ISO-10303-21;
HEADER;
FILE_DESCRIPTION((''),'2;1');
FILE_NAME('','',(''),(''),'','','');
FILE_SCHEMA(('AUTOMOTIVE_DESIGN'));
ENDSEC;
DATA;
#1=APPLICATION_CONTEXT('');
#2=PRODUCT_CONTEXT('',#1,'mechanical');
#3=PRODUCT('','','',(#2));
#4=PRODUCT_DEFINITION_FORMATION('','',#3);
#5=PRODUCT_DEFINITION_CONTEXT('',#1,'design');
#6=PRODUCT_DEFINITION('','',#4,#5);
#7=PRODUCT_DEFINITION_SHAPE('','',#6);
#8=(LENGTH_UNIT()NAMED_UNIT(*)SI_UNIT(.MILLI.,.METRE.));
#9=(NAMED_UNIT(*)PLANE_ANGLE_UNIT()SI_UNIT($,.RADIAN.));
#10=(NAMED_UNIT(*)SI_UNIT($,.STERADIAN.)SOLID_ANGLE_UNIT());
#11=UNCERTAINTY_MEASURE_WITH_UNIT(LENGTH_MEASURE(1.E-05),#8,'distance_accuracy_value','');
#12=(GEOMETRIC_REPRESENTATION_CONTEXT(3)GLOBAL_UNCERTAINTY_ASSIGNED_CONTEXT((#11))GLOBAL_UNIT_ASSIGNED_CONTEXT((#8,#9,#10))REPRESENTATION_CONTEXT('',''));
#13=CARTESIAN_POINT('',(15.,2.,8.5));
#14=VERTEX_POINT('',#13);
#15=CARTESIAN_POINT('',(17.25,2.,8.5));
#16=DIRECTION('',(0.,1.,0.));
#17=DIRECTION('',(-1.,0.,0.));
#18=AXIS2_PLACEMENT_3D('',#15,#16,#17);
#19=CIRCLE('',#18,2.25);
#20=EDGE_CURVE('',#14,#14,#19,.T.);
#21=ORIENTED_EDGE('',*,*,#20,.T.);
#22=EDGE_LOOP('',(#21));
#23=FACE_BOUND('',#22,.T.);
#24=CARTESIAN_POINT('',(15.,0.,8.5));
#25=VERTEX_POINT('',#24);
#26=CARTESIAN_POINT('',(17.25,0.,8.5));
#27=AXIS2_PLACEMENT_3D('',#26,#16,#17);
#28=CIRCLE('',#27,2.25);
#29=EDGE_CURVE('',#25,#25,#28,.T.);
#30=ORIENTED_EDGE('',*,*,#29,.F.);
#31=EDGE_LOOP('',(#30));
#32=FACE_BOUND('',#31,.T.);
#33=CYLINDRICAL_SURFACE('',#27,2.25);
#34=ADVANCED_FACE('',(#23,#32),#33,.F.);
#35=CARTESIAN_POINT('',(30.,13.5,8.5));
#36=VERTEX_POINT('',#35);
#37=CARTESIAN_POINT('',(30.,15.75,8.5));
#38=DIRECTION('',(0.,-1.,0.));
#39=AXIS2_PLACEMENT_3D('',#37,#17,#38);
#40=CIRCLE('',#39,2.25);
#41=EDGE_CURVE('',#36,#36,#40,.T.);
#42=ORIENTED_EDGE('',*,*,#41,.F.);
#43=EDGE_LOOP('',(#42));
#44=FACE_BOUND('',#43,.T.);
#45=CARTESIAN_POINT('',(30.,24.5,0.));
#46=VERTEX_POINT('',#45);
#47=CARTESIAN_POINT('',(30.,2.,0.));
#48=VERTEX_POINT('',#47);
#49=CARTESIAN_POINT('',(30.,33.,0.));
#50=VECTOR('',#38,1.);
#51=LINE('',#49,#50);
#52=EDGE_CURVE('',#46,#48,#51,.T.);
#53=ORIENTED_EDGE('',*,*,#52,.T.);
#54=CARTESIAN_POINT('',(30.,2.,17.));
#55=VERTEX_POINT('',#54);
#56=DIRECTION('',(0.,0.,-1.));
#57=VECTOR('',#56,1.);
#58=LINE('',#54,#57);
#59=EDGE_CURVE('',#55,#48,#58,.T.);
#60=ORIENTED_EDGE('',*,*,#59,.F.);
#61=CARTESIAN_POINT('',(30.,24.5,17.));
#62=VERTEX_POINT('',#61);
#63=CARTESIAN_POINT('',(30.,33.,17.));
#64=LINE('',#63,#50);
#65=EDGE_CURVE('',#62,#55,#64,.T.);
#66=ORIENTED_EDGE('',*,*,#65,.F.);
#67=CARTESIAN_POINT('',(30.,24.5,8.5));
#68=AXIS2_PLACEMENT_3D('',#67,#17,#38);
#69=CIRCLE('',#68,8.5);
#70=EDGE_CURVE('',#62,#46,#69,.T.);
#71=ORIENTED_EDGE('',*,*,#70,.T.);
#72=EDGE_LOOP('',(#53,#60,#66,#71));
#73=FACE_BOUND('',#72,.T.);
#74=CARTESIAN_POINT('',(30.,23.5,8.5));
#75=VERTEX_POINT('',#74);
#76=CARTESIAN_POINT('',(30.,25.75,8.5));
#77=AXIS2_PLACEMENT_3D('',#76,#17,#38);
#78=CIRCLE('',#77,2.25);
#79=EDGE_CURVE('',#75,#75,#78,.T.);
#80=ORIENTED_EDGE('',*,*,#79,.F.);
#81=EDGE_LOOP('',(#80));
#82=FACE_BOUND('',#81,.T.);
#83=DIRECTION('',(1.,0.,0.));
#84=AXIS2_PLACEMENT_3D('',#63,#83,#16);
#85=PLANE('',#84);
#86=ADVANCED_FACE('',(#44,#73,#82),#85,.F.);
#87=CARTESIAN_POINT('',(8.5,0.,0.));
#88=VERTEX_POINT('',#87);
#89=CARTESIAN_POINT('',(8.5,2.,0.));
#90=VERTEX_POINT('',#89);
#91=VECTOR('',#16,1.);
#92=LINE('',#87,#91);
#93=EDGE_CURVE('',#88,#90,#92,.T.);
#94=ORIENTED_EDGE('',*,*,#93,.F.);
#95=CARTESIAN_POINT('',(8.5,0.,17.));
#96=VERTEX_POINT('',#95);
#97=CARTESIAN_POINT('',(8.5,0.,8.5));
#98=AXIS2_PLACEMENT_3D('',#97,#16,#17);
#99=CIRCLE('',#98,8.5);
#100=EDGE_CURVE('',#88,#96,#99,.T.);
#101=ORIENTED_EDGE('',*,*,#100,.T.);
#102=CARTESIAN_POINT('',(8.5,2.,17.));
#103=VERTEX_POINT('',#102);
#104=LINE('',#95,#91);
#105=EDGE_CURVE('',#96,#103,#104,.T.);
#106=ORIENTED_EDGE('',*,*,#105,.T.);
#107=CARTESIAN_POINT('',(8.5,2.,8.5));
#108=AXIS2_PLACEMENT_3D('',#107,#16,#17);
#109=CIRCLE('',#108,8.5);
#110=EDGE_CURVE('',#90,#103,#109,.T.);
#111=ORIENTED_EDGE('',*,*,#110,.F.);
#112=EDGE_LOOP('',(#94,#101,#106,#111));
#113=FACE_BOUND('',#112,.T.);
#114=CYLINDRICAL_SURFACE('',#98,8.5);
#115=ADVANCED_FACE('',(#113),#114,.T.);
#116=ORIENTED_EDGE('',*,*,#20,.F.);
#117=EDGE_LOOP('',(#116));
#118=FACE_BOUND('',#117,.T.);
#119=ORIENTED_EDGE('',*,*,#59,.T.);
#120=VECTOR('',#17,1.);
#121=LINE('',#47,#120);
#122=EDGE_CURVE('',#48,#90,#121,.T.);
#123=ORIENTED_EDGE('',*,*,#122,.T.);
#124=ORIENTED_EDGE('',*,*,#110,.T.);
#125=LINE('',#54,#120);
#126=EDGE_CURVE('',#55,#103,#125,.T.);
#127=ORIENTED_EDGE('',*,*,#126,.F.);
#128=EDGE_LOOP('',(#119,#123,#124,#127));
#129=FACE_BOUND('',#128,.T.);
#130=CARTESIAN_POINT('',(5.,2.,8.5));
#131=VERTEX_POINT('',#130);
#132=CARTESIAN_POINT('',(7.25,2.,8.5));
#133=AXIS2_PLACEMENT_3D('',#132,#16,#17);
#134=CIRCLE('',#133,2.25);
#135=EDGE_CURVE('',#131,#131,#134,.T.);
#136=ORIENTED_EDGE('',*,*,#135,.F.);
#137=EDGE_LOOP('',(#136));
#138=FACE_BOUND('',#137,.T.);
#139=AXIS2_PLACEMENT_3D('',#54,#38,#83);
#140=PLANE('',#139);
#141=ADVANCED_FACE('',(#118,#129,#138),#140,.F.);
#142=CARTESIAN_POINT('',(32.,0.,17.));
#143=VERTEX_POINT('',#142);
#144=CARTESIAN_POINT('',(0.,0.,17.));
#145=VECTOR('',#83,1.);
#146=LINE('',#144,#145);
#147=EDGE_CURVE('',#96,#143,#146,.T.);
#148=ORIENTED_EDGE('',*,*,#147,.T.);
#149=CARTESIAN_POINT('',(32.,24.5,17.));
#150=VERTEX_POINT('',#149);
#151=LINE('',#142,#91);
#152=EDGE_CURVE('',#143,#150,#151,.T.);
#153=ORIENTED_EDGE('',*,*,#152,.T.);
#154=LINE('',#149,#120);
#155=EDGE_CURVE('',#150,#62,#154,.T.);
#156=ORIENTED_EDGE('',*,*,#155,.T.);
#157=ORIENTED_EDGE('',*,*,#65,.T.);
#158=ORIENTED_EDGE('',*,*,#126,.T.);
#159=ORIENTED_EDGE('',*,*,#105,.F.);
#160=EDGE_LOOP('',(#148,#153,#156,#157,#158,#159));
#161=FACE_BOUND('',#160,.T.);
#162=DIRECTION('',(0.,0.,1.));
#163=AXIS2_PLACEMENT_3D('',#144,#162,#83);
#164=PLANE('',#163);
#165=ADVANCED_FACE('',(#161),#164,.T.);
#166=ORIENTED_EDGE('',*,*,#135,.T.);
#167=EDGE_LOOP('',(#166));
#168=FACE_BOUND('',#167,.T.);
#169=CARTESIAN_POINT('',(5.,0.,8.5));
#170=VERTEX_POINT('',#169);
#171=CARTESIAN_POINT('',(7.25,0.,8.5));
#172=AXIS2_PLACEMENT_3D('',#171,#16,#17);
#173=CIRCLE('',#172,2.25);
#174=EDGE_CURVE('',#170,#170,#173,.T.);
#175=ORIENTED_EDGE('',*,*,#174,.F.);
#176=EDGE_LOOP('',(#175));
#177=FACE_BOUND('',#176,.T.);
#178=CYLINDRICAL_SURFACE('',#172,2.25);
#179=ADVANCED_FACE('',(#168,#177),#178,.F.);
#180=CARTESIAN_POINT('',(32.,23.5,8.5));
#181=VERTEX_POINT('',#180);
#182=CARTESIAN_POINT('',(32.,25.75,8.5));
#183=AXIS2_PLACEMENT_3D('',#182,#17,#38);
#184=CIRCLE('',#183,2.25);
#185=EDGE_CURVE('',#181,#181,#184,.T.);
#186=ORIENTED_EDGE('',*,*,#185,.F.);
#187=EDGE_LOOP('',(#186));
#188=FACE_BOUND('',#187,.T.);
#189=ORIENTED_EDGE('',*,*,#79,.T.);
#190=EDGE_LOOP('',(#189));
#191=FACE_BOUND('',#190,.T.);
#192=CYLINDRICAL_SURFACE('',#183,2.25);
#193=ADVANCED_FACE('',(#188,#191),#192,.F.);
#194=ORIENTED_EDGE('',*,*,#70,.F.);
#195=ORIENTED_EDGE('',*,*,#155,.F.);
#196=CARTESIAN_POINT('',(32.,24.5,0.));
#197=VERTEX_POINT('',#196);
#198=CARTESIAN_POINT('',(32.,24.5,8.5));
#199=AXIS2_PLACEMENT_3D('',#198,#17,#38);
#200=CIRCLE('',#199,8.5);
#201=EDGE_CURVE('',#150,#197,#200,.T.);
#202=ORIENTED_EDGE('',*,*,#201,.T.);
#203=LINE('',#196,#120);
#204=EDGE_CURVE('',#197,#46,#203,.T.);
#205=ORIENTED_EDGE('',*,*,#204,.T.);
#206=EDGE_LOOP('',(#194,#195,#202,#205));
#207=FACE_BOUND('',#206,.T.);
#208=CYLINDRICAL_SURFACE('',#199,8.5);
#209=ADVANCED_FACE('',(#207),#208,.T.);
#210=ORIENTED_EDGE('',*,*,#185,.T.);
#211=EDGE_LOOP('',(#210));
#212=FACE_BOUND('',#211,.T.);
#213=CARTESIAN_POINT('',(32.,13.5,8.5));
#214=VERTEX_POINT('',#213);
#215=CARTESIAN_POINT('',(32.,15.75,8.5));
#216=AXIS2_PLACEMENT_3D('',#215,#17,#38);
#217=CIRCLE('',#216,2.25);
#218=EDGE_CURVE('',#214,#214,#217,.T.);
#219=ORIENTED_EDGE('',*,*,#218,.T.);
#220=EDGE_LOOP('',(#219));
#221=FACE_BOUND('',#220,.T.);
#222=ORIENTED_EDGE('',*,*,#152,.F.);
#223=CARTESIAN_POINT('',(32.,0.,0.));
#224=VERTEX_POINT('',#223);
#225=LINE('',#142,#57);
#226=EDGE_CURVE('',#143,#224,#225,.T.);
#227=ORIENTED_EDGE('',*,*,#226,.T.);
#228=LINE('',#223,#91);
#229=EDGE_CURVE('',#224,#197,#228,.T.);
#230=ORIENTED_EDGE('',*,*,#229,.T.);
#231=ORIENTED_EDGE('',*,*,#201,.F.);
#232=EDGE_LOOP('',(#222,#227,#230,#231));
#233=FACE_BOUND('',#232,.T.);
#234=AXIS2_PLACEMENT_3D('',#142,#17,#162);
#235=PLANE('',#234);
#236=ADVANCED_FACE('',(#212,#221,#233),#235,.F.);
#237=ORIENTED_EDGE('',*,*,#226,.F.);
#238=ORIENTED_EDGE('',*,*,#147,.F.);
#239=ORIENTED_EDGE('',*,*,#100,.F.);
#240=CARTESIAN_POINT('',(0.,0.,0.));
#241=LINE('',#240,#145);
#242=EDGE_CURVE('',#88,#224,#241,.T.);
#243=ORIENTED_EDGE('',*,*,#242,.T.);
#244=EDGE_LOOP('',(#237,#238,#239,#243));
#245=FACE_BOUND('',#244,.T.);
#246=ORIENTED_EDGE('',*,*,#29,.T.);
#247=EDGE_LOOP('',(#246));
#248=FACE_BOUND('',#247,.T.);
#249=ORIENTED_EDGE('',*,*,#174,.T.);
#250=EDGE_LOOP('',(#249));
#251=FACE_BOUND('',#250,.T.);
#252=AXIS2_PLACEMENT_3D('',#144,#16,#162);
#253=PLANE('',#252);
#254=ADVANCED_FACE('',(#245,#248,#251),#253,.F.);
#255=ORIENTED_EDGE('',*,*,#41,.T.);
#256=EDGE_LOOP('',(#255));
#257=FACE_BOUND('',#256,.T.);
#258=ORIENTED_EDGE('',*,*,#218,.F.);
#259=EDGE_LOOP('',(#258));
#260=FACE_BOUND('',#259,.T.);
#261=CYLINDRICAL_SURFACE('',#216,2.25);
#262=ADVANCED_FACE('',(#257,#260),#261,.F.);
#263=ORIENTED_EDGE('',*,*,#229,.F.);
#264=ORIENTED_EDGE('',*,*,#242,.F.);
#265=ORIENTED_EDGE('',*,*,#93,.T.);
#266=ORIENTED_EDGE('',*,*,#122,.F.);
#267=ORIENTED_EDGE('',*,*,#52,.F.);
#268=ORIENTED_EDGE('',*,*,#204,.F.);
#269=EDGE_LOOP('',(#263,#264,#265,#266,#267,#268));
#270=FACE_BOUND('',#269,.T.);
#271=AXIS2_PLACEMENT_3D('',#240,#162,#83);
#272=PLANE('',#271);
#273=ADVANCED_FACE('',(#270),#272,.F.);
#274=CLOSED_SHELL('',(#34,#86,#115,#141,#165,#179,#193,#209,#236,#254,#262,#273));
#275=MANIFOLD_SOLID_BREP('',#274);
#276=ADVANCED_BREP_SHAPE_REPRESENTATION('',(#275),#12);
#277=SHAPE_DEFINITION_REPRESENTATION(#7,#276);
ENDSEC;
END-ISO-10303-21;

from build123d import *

# Parameters (mm, degrees)
BOSS_EXTRU_1_DEPTH      = 17
ENL_V_MAT_EXTRU_1_DEPTH = 48.728398255
ENL_V_MAT_EXTRU_2_DEPTH = 48.68647607
ESQUISSE4_R             = 2.25
ENL_V_MAT_EXTRU_3_DEPTH = 48.728398255
ESQUISSE5_R             = 2.25
ENL_V_MAT_EXTRU_4_DEPTH = 48.68647607


with BuildPart() as part:
    # Esquisse1 → Boss.-Extru.1 (new body)
    with BuildSketch(Plane.XY):
        Polygon((0, 0), (32, 0), (32, 33), (30, 33), (30, 2), (0, 2), align=None)
    extrude(amount=BOSS_EXTRU_1_DEPTH)

    # Esquisse2 → Enlèv. mat.-Extru.1 (cut, through all)
    with BuildSketch(Plane.ZY.offset(-30)):
        with BuildLine():
            ThreePointArc((8.5, 33), (14.51040764, 30.51040764), (17, 24.5))
            Line((17, 24.5), (17, 33))
            Line((17, 33), (8.5, 33))
        make_face()
        with BuildLine():
            Line((0, 33), (0, 24.5))
            ThreePointArc((0, 24.5), (2.48959236, 30.51040764), (8.5, 33))
            Line((8.5, 33), (0, 33))
        make_face()
    extrude(amount=-ENL_V_MAT_EXTRU_1_DEPTH, mode=Mode.SUBTRACT)

    # Esquisse3 → Enlèv. mat.-Extru.2 (cut, through all)
    with BuildSketch(Plane(origin=(0, 2, 0), x_dir=(1, 0, 0), z_dir=(0, 1, 0))):
        with BuildLine():
            ThreePointArc((8.5, -17), (2.48959236, -14.51040764), (0, -8.5))
            Line((0, -8.5), (0, -17))
            Line((0, -17), (8.5, -17))
        make_face()
        with BuildLine():
            ThreePointArc((0, -8.5), (2.48959236, -2.48959236), (8.5, 0))
            Line((8.5, 0), (0, 0))
            Line((0, 0), (0, -8.5))
        make_face()
    extrude(amount=-ENL_V_MAT_EXTRU_2_DEPTH, mode=Mode.SUBTRACT)

    # Esquisse4 → Enlèv. mat.-Extru.3 (cut, through all)
    with BuildSketch(Plane.ZY.offset(-30)):
        with Locations(Location((8.5, 25.75, 0), (0, 0, 270))):
            Circle(ESQUISSE4_R)
        with Locations(Location((8.5, 15.75, 0), (0, 0, 270))):
            Circle(ESQUISSE4_R)
    extrude(amount=-ENL_V_MAT_EXTRU_3_DEPTH, mode=Mode.SUBTRACT)

    # Esquisse5 → Enlèv. mat.-Extru.4 (cut, through all)
    with BuildSketch(Plane(origin=(0, 2, 0), x_dir=(1, 0, 0), z_dir=(0, 1, 0))):
        with Locations(Location((7.25, -8.5, 0), (0, 0, 180))):
            Circle(ESQUISSE5_R)
        with Locations(Location((17.25, -8.5, 0), (0, 0, 180))):
            Circle(ESQUISSE5_R)
    extrude(amount=-ENL_V_MAT_EXTRU_4_DEPTH, mode=Mode.SUBTRACT)


solid = part.part
